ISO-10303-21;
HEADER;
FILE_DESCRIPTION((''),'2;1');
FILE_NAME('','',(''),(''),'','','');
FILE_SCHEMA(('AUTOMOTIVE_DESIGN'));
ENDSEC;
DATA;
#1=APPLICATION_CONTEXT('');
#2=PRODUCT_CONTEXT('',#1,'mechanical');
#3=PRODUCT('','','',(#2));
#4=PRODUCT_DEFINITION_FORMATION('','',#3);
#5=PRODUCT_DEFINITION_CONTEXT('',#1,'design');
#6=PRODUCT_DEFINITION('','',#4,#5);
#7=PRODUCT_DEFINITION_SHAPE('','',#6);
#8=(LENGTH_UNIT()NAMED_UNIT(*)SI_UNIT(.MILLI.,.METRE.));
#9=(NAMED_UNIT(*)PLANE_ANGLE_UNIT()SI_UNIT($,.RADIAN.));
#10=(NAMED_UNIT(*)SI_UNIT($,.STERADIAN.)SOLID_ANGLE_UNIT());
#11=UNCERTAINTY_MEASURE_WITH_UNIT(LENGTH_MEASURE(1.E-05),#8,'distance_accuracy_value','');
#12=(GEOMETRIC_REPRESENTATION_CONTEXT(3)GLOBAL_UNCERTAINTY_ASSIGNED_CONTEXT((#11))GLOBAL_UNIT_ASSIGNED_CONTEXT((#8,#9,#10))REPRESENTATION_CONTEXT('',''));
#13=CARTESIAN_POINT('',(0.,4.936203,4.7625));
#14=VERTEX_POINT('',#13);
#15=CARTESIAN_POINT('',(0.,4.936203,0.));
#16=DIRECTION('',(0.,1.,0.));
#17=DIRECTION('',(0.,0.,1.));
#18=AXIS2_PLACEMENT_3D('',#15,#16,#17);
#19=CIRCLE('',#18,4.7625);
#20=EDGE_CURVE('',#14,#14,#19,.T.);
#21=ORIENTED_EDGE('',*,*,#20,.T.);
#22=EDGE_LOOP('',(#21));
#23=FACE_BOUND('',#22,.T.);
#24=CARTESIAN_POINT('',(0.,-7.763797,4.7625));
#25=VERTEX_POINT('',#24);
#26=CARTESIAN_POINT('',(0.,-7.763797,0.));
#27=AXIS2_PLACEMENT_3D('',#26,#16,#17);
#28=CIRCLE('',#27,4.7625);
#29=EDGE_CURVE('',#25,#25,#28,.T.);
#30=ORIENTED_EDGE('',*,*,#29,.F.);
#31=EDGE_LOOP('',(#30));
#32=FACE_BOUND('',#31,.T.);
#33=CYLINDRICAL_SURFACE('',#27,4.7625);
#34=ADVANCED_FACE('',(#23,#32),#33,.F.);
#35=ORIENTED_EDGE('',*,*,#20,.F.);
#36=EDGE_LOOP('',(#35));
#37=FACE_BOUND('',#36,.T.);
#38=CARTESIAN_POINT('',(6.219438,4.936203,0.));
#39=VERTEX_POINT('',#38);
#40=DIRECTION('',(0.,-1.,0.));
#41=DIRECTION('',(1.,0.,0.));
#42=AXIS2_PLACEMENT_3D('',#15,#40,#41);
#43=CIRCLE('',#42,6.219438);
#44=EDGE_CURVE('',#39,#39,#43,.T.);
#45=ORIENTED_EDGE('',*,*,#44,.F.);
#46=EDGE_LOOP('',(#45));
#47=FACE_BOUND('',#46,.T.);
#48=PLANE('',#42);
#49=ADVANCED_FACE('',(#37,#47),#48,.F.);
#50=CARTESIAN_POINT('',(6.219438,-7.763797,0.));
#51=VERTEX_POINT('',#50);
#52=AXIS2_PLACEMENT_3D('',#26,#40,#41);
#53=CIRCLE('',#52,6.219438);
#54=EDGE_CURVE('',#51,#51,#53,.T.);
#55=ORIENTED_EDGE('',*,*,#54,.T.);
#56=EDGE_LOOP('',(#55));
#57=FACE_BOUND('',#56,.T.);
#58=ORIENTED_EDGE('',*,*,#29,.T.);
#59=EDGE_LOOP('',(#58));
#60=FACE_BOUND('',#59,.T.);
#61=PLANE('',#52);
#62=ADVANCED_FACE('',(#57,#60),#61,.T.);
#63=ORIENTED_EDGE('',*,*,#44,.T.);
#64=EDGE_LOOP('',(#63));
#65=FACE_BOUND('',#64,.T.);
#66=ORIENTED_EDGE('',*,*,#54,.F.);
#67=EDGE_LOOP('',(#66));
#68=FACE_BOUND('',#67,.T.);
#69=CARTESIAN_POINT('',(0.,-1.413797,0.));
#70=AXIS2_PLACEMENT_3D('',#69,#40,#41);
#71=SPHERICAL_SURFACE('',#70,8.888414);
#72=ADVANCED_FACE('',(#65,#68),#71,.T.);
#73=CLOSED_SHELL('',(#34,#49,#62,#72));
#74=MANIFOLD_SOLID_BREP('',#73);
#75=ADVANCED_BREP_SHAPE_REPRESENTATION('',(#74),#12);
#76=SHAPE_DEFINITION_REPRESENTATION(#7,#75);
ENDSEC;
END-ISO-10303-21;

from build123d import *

# Parameters (mm, degrees)
SKETCH2_R          = 4.7625
CUT_EXTRUDE1_DEPTH = 13.7


with BuildPart() as part:
    # Sketch1 → Revolve1 (revolve)
    with BuildSketch(Plane.XY):
        with BuildLine():
            Line((4, 4.936203049), (4, -7.763796951))
            Line((4, -7.763796951), (6.219437776, -7.763796951))
            ThreePointArc((6.219437776, -7.763796951), (8.888414158, -1.413796951), (6.219437776, 4.936203049))
            Line((6.219437776, 4.936203049), (4, 4.936203049))
        make_face()
    revolve(axis=Axis((0, -9.351296951, 0), (0, 1, 0)))

    # Sketch2 → Cut-Extrude1 (cut, through all)
    with BuildSketch(Plane(origin=(0, 4.936203049, 0), x_dir=(1, 0, 0), z_dir=(0, 1, 0))):
        Circle(SKETCH2_R)
    extrude(amount=-CUT_EXTRUDE1_DEPTH, mode=Mode.SUBTRACT)


solid = part.part
